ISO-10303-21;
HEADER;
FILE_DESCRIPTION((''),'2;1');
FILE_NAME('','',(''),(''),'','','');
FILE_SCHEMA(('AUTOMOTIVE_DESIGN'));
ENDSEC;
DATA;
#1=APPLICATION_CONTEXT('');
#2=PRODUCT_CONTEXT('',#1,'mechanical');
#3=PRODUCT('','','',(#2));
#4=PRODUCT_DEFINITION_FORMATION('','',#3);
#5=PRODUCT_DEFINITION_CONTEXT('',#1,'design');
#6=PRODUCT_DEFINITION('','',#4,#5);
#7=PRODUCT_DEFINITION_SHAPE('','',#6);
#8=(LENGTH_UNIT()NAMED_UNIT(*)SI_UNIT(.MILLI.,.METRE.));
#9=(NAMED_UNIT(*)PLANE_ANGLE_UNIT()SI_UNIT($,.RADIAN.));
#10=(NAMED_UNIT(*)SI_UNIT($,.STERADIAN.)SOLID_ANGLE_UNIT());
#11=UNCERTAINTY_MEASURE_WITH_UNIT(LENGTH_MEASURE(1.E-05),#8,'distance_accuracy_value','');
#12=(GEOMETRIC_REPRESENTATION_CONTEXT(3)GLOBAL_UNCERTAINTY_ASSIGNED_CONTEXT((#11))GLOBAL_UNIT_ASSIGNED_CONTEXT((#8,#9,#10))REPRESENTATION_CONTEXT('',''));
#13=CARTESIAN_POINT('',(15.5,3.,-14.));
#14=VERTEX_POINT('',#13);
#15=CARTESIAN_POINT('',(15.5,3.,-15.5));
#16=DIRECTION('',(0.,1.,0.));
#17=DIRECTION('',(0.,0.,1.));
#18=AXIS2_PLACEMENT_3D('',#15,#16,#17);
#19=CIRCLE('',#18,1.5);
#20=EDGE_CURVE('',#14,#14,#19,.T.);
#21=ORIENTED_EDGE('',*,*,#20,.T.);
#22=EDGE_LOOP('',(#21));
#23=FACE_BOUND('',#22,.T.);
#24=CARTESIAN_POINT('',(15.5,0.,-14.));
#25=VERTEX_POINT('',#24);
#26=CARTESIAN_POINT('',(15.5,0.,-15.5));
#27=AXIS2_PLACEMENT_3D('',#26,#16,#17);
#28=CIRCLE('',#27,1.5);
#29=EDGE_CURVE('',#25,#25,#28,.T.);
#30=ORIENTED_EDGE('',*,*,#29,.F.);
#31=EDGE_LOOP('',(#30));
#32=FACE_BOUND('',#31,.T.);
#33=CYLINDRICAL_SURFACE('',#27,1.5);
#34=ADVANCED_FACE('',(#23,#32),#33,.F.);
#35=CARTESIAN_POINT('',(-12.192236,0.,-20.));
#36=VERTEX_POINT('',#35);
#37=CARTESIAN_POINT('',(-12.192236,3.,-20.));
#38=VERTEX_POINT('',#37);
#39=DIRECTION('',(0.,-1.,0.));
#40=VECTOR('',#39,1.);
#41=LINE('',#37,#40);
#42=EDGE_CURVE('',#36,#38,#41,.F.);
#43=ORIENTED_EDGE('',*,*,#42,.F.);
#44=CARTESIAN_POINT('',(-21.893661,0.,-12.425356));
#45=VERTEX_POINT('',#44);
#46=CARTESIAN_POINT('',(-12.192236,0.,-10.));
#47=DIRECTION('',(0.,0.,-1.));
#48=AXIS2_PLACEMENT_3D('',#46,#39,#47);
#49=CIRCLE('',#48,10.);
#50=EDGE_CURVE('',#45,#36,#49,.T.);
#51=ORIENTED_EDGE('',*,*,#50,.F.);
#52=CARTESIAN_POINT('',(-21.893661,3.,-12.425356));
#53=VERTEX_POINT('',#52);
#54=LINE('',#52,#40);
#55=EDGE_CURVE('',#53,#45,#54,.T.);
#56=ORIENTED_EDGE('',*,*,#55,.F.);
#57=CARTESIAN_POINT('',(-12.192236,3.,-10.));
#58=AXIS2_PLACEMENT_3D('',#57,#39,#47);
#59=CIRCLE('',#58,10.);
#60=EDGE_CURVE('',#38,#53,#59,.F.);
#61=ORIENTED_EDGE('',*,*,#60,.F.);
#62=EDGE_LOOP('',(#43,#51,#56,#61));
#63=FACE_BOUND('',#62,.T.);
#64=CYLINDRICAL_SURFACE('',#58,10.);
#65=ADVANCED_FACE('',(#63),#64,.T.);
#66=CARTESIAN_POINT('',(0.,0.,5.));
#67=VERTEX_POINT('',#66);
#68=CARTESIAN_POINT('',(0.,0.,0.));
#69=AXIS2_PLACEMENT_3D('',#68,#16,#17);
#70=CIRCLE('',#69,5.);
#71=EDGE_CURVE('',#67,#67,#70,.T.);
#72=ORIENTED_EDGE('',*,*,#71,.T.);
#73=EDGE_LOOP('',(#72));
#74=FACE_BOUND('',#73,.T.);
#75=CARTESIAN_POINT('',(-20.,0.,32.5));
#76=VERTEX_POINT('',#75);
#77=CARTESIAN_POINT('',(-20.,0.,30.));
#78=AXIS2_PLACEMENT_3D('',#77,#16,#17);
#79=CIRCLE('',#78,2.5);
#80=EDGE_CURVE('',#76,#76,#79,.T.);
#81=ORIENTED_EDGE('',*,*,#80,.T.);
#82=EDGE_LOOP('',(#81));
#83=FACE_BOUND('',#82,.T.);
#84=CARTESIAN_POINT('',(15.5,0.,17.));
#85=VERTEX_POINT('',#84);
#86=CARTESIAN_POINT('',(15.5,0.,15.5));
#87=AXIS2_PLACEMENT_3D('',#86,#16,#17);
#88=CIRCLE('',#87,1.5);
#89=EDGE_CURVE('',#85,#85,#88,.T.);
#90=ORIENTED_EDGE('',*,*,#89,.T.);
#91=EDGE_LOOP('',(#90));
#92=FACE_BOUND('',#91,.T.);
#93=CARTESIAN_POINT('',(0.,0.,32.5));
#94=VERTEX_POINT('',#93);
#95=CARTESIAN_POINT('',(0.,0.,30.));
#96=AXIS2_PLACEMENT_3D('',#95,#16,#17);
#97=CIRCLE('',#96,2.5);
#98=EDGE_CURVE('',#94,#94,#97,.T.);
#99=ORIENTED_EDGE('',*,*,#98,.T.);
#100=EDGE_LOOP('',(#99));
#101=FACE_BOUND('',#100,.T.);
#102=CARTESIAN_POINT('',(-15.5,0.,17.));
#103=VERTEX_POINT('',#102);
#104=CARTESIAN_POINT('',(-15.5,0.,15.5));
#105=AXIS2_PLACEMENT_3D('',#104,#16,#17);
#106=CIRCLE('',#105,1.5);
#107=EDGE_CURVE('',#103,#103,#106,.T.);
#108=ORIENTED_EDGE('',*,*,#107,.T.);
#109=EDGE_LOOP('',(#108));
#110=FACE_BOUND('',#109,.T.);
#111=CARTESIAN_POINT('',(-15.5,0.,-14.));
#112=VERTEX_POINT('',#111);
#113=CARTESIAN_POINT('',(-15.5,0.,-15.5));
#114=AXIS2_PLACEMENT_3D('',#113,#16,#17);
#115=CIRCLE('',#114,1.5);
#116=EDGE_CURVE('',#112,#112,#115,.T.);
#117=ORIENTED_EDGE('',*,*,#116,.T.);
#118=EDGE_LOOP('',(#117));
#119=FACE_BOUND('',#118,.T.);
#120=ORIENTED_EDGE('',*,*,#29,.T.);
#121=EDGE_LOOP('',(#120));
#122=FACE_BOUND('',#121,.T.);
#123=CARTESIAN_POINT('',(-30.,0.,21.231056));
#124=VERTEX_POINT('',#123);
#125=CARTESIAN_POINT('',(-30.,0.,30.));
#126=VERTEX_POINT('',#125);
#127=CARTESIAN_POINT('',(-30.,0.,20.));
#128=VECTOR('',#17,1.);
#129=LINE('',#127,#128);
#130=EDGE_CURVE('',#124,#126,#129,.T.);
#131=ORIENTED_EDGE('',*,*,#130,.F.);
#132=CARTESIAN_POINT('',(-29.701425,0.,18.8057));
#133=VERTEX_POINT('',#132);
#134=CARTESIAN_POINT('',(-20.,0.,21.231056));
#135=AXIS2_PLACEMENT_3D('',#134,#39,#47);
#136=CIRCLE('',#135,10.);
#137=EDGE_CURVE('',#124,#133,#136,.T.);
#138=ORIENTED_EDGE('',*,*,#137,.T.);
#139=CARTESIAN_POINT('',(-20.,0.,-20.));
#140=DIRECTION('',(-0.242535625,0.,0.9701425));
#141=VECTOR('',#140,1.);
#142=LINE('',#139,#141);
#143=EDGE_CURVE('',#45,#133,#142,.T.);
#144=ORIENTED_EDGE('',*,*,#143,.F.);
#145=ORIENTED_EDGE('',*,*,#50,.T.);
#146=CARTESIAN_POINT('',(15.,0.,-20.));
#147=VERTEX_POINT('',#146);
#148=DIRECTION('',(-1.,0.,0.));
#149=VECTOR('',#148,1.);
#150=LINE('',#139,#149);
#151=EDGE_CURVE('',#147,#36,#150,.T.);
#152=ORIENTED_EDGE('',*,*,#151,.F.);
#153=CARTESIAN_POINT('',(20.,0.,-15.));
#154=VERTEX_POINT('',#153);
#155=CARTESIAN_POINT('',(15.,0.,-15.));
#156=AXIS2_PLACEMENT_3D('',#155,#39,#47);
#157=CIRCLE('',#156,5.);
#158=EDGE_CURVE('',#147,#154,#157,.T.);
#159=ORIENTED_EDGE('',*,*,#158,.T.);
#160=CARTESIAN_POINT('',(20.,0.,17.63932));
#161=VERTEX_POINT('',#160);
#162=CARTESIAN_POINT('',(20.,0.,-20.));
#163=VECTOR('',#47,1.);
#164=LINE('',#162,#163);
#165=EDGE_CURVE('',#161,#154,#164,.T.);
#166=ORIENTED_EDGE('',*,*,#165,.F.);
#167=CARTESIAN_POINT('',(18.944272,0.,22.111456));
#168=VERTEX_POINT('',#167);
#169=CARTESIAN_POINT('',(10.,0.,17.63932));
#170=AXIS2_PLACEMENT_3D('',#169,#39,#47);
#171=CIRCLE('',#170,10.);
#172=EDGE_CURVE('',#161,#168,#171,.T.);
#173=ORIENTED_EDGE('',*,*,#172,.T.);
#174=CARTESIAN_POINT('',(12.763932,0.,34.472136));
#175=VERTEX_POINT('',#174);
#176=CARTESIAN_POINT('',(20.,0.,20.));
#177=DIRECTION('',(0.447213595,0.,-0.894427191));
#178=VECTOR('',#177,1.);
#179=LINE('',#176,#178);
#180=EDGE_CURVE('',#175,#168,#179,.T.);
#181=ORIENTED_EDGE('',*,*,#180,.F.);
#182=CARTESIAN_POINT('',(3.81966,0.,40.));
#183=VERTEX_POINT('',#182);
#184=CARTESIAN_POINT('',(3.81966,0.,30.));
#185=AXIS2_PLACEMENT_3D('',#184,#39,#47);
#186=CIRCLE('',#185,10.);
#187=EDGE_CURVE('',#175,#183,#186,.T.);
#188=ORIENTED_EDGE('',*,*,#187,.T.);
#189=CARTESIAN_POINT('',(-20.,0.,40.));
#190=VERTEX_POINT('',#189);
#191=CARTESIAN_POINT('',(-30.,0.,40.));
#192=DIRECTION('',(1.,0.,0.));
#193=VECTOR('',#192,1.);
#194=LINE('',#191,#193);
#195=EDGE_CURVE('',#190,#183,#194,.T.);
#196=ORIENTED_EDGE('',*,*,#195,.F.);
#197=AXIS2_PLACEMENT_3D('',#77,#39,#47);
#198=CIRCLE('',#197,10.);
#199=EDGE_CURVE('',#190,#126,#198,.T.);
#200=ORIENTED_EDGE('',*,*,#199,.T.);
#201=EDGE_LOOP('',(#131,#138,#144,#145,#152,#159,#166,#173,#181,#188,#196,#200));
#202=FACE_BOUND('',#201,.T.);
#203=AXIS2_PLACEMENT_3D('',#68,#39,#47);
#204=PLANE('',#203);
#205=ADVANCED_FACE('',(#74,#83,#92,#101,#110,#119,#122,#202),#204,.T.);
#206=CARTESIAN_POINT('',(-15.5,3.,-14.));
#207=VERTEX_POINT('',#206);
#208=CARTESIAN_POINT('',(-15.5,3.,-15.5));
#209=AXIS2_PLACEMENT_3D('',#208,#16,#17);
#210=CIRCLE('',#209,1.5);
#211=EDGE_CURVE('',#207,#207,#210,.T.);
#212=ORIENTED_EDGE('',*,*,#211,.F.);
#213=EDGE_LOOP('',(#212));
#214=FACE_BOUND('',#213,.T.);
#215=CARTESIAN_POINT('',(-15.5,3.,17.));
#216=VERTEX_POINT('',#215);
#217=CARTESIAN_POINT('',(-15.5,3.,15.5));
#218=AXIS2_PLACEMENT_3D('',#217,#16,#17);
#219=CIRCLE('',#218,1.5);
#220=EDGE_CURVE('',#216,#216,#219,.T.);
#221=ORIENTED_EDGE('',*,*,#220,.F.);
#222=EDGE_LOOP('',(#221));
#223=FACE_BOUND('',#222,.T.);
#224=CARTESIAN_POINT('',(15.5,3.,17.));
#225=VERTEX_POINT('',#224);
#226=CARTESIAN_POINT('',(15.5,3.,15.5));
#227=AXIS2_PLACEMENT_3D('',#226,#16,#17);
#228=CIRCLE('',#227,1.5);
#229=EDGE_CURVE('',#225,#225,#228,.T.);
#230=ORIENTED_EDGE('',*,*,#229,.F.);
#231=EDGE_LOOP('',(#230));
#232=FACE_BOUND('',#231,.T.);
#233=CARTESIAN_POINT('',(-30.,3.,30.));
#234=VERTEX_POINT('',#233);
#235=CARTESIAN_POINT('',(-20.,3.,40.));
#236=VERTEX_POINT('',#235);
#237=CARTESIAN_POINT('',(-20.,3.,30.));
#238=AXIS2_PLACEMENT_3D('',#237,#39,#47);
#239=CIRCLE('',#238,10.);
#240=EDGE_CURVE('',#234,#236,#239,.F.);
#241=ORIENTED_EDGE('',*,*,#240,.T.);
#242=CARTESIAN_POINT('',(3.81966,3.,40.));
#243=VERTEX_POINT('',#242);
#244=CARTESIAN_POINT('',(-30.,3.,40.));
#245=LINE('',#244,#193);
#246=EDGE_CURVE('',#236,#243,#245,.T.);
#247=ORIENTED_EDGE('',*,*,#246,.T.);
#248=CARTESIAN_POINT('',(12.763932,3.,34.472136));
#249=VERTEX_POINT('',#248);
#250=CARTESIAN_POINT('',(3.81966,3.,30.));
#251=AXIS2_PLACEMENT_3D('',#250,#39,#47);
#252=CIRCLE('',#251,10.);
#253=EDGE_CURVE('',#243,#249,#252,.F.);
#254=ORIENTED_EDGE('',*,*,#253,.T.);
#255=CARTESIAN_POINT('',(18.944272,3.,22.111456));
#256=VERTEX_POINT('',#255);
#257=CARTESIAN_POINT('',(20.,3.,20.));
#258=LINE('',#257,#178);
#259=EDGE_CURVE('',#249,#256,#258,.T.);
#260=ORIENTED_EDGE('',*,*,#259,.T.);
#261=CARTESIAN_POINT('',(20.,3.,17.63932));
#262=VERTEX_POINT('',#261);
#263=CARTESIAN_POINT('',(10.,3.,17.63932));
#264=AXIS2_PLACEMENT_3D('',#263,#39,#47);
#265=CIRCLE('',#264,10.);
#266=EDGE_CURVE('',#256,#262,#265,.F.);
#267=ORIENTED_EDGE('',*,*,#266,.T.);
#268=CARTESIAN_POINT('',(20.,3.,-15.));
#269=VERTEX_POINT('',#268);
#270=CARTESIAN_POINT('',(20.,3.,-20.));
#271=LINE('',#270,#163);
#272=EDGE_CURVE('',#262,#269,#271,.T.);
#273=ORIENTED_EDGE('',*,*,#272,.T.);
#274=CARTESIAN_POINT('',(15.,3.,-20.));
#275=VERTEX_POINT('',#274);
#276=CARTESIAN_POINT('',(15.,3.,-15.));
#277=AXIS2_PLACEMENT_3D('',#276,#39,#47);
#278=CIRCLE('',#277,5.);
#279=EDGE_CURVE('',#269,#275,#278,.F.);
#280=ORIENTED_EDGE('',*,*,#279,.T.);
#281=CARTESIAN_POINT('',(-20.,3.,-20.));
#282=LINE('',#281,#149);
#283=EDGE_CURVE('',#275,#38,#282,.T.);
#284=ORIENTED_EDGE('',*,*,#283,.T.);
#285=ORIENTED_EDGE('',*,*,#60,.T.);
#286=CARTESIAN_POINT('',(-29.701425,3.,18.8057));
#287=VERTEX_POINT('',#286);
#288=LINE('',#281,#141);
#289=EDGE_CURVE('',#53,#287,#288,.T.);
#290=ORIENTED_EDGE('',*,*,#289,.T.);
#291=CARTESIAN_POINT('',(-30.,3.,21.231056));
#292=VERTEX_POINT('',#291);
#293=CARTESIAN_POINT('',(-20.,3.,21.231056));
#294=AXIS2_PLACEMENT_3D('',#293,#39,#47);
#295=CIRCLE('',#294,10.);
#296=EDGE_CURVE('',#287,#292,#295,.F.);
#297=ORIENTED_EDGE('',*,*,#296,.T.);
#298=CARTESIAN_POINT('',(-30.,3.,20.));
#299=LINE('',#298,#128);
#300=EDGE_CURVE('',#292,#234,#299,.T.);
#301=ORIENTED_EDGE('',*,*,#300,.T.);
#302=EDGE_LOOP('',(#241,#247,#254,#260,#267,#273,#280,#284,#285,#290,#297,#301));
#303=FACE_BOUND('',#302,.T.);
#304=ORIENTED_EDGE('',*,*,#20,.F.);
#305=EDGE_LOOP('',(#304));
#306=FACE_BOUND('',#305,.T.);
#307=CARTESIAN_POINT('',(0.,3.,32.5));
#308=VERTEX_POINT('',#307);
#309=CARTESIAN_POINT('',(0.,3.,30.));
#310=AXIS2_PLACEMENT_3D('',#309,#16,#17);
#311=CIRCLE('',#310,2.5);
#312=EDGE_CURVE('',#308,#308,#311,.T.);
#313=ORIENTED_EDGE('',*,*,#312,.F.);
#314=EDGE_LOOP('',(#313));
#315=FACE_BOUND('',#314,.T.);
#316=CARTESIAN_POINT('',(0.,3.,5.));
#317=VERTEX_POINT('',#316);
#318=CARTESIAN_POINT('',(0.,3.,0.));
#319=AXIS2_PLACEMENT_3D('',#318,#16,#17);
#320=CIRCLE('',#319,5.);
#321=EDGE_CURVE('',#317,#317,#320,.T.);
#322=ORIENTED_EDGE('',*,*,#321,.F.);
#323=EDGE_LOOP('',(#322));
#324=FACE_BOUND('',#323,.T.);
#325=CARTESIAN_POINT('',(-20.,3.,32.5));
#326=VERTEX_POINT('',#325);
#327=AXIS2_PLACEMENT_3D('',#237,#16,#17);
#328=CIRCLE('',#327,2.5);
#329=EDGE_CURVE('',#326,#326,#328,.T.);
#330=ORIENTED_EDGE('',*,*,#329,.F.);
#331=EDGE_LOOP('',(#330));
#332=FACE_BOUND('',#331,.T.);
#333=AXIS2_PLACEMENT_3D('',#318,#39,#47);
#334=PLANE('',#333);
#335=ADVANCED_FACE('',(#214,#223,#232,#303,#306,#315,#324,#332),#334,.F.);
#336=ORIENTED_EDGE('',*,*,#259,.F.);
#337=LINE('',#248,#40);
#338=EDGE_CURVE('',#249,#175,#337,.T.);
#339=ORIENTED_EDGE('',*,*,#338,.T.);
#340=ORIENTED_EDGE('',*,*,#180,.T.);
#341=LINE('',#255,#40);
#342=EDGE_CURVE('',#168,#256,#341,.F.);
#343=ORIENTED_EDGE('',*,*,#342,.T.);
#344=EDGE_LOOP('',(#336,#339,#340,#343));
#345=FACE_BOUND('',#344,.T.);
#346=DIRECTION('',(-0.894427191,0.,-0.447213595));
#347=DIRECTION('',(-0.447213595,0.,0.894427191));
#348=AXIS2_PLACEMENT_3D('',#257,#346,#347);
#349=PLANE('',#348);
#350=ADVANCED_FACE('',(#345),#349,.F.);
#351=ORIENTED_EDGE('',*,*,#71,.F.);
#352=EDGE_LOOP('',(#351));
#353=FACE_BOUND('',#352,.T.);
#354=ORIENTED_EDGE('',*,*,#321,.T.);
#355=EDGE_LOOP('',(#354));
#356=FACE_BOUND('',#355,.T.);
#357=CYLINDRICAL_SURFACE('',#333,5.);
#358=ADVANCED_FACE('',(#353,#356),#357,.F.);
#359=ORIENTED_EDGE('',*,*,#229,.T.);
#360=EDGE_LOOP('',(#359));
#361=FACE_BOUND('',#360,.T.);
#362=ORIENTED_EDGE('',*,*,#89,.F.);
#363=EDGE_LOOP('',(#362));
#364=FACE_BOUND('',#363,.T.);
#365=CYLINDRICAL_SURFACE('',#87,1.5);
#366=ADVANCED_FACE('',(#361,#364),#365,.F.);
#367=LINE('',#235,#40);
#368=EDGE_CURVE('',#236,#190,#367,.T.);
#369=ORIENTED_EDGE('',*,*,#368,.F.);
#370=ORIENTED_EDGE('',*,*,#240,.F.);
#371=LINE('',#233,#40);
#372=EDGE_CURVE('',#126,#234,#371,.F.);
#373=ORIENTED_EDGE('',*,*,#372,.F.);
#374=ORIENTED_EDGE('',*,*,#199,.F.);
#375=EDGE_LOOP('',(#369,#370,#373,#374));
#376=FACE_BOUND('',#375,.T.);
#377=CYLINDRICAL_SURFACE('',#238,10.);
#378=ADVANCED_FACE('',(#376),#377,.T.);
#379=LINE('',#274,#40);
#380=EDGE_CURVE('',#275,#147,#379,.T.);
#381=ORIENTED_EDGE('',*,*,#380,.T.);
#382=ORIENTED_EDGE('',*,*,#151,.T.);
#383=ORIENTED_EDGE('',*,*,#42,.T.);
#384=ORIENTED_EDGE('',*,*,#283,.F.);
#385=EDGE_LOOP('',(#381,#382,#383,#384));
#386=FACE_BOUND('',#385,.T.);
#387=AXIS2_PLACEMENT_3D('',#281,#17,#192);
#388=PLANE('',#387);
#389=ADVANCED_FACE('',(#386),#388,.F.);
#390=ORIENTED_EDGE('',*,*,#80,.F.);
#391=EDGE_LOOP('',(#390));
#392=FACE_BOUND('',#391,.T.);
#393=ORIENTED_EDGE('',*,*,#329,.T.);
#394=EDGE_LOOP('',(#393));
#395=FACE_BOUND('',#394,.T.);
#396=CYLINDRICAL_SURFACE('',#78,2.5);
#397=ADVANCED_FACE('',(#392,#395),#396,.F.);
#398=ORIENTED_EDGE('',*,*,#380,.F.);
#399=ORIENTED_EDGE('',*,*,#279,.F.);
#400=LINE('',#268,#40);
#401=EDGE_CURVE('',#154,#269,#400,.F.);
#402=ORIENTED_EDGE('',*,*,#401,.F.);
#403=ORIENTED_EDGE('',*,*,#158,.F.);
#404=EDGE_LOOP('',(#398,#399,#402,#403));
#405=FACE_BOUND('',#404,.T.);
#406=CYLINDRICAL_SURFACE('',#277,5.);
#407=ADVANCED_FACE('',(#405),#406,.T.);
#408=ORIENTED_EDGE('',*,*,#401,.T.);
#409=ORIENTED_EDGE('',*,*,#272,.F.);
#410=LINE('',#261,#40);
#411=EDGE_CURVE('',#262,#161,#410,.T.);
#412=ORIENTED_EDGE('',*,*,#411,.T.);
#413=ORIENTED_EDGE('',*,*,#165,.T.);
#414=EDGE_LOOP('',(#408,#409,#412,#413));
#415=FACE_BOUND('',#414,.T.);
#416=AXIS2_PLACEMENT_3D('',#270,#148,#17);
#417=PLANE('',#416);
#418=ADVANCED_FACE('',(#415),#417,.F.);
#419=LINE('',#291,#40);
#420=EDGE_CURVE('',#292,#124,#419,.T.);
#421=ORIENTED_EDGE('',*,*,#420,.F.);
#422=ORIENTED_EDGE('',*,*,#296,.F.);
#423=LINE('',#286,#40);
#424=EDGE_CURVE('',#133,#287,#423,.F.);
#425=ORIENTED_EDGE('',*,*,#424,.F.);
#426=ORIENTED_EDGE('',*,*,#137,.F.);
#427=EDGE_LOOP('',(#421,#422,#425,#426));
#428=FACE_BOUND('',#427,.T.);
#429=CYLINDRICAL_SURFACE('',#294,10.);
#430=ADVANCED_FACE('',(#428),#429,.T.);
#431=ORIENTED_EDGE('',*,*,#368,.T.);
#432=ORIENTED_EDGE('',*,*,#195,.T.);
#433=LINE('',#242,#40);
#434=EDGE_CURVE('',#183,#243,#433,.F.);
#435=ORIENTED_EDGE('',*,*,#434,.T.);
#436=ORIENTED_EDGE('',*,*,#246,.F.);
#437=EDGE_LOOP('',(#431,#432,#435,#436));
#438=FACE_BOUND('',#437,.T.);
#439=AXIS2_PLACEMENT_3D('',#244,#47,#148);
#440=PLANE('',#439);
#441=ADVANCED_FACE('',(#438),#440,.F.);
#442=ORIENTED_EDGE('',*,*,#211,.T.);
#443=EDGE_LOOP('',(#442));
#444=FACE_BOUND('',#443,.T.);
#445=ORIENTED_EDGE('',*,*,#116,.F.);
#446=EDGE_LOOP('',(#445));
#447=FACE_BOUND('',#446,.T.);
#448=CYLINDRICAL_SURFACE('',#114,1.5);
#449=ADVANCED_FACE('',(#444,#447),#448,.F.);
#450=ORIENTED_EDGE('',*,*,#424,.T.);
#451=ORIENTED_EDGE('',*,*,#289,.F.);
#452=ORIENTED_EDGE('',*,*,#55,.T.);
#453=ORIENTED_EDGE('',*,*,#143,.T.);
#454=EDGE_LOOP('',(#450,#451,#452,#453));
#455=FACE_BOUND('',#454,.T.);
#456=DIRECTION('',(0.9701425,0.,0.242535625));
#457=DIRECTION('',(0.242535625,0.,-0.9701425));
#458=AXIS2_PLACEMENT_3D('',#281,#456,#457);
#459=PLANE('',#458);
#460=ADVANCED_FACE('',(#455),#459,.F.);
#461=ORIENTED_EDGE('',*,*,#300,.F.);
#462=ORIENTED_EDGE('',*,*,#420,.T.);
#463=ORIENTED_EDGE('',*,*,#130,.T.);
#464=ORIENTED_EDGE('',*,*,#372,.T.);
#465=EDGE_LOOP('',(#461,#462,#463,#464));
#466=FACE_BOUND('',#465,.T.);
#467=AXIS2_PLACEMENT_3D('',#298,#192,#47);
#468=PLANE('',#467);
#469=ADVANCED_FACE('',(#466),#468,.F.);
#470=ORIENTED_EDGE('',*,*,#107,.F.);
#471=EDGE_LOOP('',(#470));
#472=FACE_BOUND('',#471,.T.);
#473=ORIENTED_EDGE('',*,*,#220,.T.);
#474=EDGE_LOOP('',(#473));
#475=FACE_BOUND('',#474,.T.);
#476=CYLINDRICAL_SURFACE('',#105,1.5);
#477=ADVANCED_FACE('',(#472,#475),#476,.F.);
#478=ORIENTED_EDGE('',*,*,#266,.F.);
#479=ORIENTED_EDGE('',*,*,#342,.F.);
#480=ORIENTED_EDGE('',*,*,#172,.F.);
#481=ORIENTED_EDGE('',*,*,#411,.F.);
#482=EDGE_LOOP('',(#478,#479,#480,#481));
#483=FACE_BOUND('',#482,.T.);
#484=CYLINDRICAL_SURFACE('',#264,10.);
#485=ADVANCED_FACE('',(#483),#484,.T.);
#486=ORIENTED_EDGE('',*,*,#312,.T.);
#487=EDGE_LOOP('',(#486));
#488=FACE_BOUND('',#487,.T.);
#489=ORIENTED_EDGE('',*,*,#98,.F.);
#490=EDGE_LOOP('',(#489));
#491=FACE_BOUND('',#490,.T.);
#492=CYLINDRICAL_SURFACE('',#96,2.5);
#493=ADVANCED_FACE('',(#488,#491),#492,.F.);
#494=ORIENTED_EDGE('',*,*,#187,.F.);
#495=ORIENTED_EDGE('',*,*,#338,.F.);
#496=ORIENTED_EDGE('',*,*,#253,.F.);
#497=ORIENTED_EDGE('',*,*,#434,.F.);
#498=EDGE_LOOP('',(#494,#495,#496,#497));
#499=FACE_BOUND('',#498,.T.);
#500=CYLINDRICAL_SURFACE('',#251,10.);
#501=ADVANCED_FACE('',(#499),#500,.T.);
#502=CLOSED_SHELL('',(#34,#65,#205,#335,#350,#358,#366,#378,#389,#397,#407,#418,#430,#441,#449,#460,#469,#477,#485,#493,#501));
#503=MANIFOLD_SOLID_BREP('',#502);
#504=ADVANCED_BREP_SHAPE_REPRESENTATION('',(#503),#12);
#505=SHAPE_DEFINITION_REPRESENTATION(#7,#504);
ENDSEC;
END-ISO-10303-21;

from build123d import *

# Parameters (mm, degrees)
SKETCH1_R            = 5
BOSS_EXTRUDE1_DEPTH  = 3
SKETCH2_R            = 1.5
CUT_EXTRUDE1_DEPTH   = 4
LPATTERN1_COUNT      = 2
LPATTERN1_PITCH      = 31
LPATTERN1_COUNT_DIR2 = 2
LPATTERN1_PITCH_DIR2 = 31
SKETCH3_R            = 2.5
CUT_EXTRUDE2_DEPTH   = 4
LPATTERN2_COUNT      = 2
LPATTERN2_PITCH      = 20
FILLET1_R            = 10
FILLET2_R            = 5


with BuildPart() as part:
    # Sketch1 → Boss-Extrude1 (new body)
    with BuildSketch(Plane(origin=(0, 0, 0), x_dir=(1, 0, 0), z_dir=(0, 1, 0))):
        Polygon((20, -20), (10, -40), (-30, -40), (-30, -20), (-20, 20), (20, 20), align=None)
        Circle(SKETCH1_R, mode=Mode.SUBTRACT)
    extrude(amount=BOSS_EXTRUDE1_DEPTH)

    # Sketch2 → Cut-Extrude1 (cut, through all)
    with BuildSketch(Plane(origin=(0, 3, 0), x_dir=(1, 0, 0), z_dir=(0, 1, 0))):
        with Locations((-15.5, 15.5)):
            Circle(SKETCH2_R)
    cut_extrude1 = extrude(amount=-CUT_EXTRUDE1_DEPTH, mode=Mode.SUBTRACT)

    # LPattern1: Cut-Extrude1 2 × 2
    with Locations(*[(i * LPATTERN1_PITCH, 0, j * LPATTERN1_PITCH_DIR2) for i in range(LPATTERN1_COUNT) for j in range(LPATTERN1_COUNT_DIR2) if (i, j) != (0, 0)]):
        add(cut_extrude1, mode=Mode.SUBTRACT)

    # Sketch3 → Cut-Extrude2 (cut, through all)
    with BuildSketch(Plane(origin=(0, 3, 0), x_dir=(1, 0, 0), z_dir=(0, 1, 0))):
        with Locations((-20, -30)):
            Circle(SKETCH3_R)
    cut_extrude2 = extrude(amount=-CUT_EXTRUDE2_DEPTH, mode=Mode.SUBTRACT)

    # LPattern2: Cut-Extrude2 ×2
    with Locations(*[(i * LPATTERN2_PITCH, 0, 0) for i in range(1, LPATTERN2_COUNT)]):
        add(cut_extrude2, mode=Mode.SUBTRACT)

    # Fillet1
    fillet1_edges = [part.edges().sort_by_distance(p)[0] for p in [
        (-30, 1.5, 40),
        (-30, 1.5, 20),
        (-20, 1.5, -20),
        (20, 1.5, 20),
        (10, 1.5, 40),
    ]]
    fillet(fillet1_edges, radius=FILLET1_R)

    # Fillet2
    fillet2_edges = [part.edges().sort_by_distance(p)[0] for p in [
        (20, 1.5, -20),
    ]]
    fillet(fillet2_edges, radius=FILLET2_R)


solid = part.part
